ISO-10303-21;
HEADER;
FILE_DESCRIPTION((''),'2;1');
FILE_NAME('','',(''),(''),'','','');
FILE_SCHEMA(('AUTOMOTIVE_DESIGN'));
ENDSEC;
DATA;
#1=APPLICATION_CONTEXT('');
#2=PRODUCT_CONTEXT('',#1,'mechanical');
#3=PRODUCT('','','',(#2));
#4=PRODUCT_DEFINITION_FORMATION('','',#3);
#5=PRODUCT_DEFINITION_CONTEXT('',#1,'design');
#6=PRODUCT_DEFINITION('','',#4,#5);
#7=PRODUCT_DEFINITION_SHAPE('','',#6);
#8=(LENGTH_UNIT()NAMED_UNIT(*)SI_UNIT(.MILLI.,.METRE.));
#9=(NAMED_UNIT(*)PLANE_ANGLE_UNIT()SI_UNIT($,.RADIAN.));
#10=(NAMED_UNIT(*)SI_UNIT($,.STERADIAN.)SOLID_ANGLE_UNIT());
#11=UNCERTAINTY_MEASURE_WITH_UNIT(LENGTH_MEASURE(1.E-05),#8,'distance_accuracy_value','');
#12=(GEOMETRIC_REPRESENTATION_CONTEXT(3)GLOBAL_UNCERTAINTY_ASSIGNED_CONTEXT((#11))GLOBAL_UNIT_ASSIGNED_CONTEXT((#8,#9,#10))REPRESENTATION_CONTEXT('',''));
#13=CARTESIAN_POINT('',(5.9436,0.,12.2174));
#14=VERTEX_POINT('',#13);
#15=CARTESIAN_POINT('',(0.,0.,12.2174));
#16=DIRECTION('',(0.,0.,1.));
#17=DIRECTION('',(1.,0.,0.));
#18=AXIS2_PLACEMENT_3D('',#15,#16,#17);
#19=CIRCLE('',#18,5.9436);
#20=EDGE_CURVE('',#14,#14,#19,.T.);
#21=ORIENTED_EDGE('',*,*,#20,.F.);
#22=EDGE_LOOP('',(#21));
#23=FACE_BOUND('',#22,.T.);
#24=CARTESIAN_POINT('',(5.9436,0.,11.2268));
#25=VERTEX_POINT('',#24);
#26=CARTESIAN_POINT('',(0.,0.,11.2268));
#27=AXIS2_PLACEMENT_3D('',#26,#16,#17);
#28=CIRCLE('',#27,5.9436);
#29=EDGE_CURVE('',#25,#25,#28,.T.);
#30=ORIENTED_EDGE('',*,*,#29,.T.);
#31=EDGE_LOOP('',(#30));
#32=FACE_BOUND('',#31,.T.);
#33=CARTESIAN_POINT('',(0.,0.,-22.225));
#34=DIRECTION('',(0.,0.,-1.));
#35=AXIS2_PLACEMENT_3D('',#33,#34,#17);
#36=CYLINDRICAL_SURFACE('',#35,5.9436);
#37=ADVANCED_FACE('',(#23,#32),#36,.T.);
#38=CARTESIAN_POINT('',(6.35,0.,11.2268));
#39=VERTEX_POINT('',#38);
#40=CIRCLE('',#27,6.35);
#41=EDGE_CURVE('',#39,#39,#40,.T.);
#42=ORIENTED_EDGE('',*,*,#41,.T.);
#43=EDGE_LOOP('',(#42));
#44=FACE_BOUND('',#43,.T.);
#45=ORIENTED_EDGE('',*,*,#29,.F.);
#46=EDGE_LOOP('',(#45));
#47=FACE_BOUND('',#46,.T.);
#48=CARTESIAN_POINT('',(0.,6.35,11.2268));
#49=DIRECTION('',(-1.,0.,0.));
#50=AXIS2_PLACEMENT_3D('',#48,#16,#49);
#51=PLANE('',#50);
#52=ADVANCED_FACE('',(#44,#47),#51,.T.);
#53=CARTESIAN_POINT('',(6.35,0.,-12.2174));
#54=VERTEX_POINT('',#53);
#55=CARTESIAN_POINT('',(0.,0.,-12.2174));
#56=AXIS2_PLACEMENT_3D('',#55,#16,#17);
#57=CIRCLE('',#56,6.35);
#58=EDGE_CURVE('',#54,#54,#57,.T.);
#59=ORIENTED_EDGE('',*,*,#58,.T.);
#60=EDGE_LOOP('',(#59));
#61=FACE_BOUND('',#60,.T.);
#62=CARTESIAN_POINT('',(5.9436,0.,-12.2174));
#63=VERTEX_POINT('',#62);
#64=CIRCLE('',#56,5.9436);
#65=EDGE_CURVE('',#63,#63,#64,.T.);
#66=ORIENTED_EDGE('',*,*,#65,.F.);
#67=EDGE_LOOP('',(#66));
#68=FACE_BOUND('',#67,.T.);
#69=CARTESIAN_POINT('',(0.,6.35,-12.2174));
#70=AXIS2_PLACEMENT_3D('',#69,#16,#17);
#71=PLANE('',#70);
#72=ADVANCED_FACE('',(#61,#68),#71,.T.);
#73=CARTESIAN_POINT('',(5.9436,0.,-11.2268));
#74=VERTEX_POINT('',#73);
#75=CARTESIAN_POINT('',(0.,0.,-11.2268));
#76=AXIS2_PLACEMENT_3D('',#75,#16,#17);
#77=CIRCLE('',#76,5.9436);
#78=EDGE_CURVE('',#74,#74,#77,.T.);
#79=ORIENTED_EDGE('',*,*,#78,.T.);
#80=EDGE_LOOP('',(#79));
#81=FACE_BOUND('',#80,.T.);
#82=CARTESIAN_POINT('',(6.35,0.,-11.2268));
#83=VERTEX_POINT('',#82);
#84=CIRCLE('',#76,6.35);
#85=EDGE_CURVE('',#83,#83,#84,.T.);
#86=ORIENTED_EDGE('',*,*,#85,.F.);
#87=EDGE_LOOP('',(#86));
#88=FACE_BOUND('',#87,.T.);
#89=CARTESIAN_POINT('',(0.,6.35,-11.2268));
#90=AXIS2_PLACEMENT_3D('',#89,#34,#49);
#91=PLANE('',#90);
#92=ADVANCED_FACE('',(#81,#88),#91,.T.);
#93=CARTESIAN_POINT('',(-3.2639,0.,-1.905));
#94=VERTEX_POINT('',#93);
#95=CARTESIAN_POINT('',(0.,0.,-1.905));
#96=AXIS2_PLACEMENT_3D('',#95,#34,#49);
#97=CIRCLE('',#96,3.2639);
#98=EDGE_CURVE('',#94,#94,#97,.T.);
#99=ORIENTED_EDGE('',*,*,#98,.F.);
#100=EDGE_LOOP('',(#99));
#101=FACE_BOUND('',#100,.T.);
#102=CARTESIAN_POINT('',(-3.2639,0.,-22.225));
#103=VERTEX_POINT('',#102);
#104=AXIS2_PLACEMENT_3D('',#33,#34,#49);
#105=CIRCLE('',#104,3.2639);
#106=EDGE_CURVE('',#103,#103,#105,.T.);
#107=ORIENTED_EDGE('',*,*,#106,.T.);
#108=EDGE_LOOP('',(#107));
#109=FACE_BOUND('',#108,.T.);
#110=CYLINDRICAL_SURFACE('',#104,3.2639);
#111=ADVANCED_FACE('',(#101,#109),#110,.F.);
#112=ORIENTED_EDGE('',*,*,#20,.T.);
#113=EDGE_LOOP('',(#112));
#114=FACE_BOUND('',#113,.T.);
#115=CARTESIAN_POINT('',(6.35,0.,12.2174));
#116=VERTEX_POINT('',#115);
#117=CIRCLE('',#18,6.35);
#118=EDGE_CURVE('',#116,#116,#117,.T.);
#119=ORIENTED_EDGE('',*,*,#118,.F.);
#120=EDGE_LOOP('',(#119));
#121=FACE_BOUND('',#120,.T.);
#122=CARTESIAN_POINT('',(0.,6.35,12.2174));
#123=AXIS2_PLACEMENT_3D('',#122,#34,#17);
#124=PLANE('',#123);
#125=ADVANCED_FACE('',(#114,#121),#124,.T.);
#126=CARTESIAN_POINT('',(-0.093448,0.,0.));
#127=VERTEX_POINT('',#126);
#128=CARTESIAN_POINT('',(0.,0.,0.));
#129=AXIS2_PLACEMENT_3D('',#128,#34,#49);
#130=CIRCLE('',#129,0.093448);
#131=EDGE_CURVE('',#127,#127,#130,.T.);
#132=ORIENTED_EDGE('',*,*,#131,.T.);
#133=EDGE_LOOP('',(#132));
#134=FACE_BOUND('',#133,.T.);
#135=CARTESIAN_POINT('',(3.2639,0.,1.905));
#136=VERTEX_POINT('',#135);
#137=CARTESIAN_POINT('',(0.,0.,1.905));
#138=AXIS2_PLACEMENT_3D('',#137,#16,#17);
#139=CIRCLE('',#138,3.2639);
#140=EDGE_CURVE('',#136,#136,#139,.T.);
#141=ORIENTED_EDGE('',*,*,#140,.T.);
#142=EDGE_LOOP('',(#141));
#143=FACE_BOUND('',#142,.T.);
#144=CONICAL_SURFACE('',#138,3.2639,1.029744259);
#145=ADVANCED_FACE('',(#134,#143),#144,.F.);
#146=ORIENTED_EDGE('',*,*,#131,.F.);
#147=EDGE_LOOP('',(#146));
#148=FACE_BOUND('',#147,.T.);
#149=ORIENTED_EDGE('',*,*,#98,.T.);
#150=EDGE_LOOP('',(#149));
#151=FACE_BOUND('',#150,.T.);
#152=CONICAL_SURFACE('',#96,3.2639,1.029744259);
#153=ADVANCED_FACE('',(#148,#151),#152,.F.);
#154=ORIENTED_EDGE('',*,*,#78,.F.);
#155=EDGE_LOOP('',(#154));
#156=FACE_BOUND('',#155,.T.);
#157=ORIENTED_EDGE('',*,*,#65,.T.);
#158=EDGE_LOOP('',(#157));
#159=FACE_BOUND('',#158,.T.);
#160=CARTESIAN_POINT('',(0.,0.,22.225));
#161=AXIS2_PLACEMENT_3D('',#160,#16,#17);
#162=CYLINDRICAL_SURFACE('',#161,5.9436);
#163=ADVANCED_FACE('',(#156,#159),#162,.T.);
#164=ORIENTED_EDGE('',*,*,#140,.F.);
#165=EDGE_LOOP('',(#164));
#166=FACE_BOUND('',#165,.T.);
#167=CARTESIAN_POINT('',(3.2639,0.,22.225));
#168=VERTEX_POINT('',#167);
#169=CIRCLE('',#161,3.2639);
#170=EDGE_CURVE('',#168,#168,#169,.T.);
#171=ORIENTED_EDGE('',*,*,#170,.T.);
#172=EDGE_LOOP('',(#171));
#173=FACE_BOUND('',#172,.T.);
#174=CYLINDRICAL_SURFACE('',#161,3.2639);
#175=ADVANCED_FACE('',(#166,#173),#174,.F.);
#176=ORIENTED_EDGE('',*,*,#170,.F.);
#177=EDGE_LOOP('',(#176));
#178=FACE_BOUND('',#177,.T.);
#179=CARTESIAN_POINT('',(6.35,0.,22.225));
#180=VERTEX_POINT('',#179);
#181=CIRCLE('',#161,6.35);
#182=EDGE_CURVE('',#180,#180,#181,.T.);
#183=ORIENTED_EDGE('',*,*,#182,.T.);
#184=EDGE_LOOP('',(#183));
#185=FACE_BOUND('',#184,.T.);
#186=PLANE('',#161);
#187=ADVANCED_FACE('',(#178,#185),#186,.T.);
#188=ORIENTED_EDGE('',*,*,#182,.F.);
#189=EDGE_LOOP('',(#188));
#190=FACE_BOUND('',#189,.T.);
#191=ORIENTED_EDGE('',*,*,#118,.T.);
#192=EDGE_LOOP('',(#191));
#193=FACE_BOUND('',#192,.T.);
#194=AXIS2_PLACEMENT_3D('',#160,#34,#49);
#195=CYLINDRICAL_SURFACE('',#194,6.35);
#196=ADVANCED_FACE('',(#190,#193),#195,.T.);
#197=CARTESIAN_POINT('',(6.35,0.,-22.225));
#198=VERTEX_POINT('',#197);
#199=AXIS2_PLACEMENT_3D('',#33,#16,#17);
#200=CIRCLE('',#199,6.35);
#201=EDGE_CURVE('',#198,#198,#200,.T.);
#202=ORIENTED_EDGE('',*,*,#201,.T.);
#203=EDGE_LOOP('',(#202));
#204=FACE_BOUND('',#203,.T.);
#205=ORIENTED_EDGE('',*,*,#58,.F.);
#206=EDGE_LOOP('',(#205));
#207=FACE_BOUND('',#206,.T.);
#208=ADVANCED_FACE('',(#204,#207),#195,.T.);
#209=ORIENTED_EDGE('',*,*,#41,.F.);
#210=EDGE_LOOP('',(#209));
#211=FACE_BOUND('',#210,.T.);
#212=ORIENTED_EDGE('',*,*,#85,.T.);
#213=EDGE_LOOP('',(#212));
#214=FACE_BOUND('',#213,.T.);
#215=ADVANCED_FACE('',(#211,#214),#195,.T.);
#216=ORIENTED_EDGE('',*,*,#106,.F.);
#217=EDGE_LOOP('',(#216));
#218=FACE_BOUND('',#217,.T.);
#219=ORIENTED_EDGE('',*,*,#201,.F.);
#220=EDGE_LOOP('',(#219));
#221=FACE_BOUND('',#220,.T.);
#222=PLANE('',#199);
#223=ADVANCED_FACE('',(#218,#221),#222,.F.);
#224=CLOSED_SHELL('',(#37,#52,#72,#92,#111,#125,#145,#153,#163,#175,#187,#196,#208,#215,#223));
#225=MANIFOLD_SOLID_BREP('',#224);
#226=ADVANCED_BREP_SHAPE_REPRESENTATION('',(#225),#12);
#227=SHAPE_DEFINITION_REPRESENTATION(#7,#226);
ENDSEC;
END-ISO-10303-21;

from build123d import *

# Parameters (mm, degrees)
SKETCH1_R                    = 6.35
EXTRUDE1_DEPTH               = 22.225
F_5_16_18_TAPPED_HOLE1_D     = 6.5278
F_5_16_18_TAPPED_HOLE1_DEPTH = 20.32
F_5_16_18_TAPPED_HOLE1_TIP   = 1.961148974
F_5_16_18_TAPPED_HOLE2_D     = 6.5278
F_5_16_18_TAPPED_HOLE2_DEPTH = 20.32
F_5_16_18_TAPPED_HOLE2_TIP   = 1.961148974
SKETCH6_W                    = 0.9906
SKETCH6_H                    = 0.4064


with BuildPart() as part:
    # Sketch1 → Extrude1 (new body, symmetric)
    with BuildSketch(Plane.XY):
        Circle(SKETCH1_R)
    extrude(amount=EXTRUDE1_DEPTH, both=True)

    # 5/16-18 Tapped Hole1
    with Locations(Plane.XY.offset(22.225)):
        with Locations((0, 0)):
            Hole(F_5_16_18_TAPPED_HOLE1_D / 2, depth=F_5_16_18_TAPPED_HOLE1_DEPTH)
            with Locations((0, 0, -(F_5_16_18_TAPPED_HOLE1_DEPTH + F_5_16_18_TAPPED_HOLE1_TIP / 2))):  # 118° drill point
                Cone(0, F_5_16_18_TAPPED_HOLE1_D / 2, F_5_16_18_TAPPED_HOLE1_TIP, mode=Mode.SUBTRACT)

    # 5/16-18 Tapped Hole2
    with Locations(Plane(origin=(0, 0, -22.225), x_dir=(-1, 0, 0), z_dir=(0, 0, -1))):
        with Locations((0, 0)):
            Hole(F_5_16_18_TAPPED_HOLE2_D / 2, depth=F_5_16_18_TAPPED_HOLE2_DEPTH)
            with Locations((0, 0, -(F_5_16_18_TAPPED_HOLE2_DEPTH + F_5_16_18_TAPPED_HOLE2_TIP / 2))):  # 118° drill point
                Cone(0, F_5_16_18_TAPPED_HOLE2_D / 2, F_5_16_18_TAPPED_HOLE2_TIP, mode=Mode.SUBTRACT)

    # Sketch6 → Cut-Revolve1 (revolve, cut)
    with BuildSketch(Plane(origin=(0, 0, 0), x_dir=(0, 0, -1), z_dir=(1, 0, 0))):
        with Locations((11.7221, 6.1468)):
            Rectangle(SKETCH6_W, SKETCH6_H)
    cut_revolve1 = revolve(axis=Axis((0, 0, 22.225), (0, 0, -1)), mode=Mode.SUBTRACT)

    # Mirror1: Cut-Revolve1 across plane
    add(cut_revolve1.mirror(Plane.XY), mode=Mode.SUBTRACT)


solid = part.part
